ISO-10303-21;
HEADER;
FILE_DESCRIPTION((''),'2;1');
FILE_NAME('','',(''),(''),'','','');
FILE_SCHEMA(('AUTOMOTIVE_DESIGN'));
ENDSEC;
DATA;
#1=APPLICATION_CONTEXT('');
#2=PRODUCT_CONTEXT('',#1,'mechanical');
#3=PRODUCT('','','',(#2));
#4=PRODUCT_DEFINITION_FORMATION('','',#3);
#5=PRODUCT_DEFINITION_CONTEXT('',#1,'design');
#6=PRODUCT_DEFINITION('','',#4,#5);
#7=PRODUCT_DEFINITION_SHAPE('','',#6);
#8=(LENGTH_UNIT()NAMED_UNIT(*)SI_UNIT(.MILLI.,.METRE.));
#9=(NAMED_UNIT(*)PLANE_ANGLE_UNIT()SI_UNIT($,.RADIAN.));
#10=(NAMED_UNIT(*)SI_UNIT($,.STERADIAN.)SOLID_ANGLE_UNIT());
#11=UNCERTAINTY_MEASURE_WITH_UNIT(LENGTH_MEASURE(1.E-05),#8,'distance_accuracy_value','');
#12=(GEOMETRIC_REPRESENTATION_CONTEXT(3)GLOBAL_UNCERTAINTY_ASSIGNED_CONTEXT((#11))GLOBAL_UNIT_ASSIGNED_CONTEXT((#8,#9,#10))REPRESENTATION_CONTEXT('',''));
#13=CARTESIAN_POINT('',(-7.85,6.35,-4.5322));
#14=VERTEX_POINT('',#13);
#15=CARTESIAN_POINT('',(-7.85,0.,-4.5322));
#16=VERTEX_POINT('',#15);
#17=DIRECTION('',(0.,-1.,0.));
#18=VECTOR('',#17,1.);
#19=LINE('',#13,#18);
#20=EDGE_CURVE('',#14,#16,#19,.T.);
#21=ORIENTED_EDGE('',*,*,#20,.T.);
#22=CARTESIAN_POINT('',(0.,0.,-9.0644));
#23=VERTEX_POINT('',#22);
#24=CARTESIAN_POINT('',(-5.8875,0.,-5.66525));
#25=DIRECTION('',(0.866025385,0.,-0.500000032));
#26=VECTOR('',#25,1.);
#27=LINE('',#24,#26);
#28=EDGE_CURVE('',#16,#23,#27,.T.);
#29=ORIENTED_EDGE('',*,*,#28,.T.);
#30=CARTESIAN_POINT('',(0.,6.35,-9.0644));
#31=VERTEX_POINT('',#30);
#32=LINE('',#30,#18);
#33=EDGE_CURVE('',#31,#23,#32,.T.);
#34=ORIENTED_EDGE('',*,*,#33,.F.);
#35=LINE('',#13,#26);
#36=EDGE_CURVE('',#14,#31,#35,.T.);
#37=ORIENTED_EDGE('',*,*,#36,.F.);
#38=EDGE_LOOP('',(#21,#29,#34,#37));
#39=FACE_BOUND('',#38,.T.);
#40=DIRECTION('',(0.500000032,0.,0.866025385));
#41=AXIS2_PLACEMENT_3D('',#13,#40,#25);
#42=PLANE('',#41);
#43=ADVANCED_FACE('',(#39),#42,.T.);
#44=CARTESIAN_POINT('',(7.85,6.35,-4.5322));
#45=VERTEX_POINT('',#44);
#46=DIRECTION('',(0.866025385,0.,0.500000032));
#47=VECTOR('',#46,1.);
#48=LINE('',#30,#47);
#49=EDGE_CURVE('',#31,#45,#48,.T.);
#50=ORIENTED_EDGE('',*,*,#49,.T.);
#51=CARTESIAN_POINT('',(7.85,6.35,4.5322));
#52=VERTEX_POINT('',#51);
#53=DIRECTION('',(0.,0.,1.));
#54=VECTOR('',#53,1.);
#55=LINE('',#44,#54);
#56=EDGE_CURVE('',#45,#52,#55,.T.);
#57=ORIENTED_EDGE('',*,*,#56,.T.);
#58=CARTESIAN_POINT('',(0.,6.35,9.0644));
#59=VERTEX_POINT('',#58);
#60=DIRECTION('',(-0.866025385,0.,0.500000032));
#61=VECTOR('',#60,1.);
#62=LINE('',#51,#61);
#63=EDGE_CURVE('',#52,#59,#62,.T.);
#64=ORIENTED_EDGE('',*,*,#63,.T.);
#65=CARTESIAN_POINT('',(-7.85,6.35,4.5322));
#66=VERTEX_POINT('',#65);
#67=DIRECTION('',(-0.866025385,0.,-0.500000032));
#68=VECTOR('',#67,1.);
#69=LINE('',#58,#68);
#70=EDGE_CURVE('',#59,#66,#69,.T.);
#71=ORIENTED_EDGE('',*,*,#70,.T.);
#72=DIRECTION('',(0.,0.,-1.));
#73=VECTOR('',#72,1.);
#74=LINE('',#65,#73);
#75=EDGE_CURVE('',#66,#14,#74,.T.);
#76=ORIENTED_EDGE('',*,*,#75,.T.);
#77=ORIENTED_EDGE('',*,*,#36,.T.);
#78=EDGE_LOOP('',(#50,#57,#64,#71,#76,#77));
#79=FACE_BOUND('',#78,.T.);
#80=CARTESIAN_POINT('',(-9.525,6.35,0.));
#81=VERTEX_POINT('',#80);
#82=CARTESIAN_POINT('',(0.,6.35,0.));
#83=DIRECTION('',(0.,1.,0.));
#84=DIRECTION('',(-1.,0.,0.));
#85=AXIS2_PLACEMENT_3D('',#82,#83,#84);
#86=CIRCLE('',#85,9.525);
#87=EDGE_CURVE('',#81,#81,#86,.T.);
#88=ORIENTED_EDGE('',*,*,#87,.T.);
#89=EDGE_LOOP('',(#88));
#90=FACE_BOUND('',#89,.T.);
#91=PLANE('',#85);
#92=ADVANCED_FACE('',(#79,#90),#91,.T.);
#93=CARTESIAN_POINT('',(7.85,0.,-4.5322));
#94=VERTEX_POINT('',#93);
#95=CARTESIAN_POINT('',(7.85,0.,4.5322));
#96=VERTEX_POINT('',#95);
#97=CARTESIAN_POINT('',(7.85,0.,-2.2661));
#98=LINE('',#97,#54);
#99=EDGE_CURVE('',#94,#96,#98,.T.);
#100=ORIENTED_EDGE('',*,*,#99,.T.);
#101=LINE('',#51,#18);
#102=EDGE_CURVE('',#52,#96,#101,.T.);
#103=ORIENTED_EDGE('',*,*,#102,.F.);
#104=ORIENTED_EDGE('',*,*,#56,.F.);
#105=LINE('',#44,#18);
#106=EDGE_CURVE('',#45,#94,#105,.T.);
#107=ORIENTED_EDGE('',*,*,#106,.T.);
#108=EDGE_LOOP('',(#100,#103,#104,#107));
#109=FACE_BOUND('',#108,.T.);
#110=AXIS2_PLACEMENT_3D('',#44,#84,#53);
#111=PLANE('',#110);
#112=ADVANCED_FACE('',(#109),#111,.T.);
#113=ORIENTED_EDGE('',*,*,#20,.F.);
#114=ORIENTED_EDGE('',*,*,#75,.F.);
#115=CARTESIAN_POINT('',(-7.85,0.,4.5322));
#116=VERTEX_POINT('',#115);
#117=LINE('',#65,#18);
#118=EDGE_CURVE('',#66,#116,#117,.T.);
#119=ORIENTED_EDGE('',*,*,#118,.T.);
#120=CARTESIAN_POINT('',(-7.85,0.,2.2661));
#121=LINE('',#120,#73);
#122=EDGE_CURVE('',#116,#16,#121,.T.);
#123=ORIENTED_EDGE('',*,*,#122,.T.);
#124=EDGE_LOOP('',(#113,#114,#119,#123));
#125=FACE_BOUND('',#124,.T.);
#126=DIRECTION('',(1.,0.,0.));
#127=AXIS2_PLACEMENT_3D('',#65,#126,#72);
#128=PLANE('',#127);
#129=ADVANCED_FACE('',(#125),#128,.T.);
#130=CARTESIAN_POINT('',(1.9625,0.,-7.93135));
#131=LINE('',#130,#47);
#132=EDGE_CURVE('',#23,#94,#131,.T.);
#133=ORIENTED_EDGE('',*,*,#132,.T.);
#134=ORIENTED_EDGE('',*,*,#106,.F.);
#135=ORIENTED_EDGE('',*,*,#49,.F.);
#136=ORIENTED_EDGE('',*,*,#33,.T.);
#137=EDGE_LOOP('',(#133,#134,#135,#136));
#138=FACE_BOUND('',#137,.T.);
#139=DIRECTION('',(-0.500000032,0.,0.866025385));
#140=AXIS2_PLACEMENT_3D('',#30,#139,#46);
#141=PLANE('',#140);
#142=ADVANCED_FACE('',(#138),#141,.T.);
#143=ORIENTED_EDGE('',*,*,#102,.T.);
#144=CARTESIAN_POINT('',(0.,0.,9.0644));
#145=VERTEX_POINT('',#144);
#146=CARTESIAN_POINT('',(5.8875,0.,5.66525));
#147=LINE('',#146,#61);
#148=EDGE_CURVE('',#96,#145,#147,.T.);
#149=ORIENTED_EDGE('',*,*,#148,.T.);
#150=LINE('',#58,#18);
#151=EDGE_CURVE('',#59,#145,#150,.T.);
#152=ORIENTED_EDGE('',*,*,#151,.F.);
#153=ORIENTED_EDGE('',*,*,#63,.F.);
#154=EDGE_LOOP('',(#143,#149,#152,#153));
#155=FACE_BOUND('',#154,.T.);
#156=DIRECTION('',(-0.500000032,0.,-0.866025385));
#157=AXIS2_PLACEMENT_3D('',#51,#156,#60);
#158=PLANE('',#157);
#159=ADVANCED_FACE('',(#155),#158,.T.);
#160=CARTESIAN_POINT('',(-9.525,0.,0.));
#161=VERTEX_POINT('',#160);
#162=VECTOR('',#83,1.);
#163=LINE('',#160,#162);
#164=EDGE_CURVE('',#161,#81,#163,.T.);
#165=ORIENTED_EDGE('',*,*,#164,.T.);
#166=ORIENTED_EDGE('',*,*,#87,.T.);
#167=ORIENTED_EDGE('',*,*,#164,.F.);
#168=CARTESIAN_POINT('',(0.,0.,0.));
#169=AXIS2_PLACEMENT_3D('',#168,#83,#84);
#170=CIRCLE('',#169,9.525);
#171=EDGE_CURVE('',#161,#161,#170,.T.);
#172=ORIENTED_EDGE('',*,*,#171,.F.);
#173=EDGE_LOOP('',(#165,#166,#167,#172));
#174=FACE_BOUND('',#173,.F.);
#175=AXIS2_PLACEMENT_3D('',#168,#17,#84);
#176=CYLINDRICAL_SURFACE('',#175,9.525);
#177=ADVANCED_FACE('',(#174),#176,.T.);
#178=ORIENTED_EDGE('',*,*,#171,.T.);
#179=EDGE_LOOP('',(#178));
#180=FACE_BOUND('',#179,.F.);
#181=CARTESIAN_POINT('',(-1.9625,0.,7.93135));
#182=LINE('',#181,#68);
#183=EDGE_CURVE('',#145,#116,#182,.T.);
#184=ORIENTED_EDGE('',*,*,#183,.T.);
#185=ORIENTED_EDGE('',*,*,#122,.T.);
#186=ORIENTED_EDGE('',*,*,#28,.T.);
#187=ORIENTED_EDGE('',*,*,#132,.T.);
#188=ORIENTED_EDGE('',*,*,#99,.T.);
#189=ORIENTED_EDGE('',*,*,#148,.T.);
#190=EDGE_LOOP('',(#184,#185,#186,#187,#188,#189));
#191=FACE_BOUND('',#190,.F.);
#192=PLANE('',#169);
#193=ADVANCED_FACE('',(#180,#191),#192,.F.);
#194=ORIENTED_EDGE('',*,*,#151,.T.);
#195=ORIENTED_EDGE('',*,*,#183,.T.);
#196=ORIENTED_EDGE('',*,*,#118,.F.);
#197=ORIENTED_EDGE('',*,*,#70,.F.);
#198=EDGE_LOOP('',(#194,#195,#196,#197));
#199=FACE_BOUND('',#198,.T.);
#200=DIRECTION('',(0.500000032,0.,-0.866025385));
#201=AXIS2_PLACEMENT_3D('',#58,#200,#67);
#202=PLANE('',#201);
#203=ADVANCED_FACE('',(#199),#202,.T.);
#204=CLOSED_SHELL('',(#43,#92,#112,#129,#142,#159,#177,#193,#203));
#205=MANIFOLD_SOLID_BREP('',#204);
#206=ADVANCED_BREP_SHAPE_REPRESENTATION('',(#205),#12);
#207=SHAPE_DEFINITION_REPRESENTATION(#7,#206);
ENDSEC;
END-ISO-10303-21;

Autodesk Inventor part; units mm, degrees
ref_plane "YZ Plane" through (0, 0, 0) normal (1, 0, 0) x (0, 1, 0)
ref_plane "XZ Plane" through (0, 0, 0) normal (0, 1, 0) x (-1, 0, 0)
ref_plane "XY Plane" through (0, 0, 0) normal (0, 0, 1) x (1, 0, 0)
sketch "Sketch1" plane through (0, 0, 0) normal (0, 1, 0) x (-1, 0, 0)
  circle A0 centre (0, 0) radius 6.35 construction
  line L0 (6.35, -3.6662) -> (0, -7.3323)
  line L1 (0, -7.3323) -> (-6.35, -3.6662)
  line L2 (-6.35, -3.6662) -> (-6.35, 3.6662)
  line L3 (-6.35, 3.6662) -> (0, 7.3323)
  line L4 (0, 7.3323) -> (6.35, 3.6662)
  line L5 (6.35, 3.6662) -> (6.35, -3.6662)
  circle A1 centre (0, 0) radius 9.525
  point P0 (6.35, 0)
  dimension "d0" = 12.7
  dimension "d1" = 19.05
extrude "Extrusion1" add sketch "Sketch1" along normal blind 6.35
sketch "Sketch2" plane through (0, 6.35, 0) normal (0, 1, 0) x (1, 0, 0)
  line L0 (-6.35, 3.6662) -> (0, 7.3323) projected
  line L1 (0, 7.3323) -> (6.35, 3.6662) projected
  line L2 (-6.35, -3.6662) -> (-6.35, 3.6662) projected
  line L3 (0, -7.3323) -> (-6.35, -3.6662) projected
  line L4 (6.35, -3.6662) -> (0, -7.3323) projected
  line L5 (6.35, 3.6662) -> (6.35, -3.6662) projected
  line L6 (-7.85, 4.5322) -> (0, 9.0644)
  line L7 (0, 9.0644) -> (7.85, 4.5322)
  line L8 (7.85, 4.5322) -> (7.85, -4.5322)
  line L9 (7.85, -4.5322) -> (0, -9.0644)
  line L10 (0, -9.0644) -> (-7.85, -4.5322)
  line L11 (-7.85, -4.5322) -> (-7.85, 4.5322)
  point P0 (0, 0)
  dimension "d4" = 1.5
extrude "Extrusion2" cut sketch "Sketch2" against normal blind 25.4 contours L0 L1 L5 L4 L3 L2 | L6 L7 L8 L9 L10 L11
properties part number "SportGearbox_HexDiffGearSpacer"
